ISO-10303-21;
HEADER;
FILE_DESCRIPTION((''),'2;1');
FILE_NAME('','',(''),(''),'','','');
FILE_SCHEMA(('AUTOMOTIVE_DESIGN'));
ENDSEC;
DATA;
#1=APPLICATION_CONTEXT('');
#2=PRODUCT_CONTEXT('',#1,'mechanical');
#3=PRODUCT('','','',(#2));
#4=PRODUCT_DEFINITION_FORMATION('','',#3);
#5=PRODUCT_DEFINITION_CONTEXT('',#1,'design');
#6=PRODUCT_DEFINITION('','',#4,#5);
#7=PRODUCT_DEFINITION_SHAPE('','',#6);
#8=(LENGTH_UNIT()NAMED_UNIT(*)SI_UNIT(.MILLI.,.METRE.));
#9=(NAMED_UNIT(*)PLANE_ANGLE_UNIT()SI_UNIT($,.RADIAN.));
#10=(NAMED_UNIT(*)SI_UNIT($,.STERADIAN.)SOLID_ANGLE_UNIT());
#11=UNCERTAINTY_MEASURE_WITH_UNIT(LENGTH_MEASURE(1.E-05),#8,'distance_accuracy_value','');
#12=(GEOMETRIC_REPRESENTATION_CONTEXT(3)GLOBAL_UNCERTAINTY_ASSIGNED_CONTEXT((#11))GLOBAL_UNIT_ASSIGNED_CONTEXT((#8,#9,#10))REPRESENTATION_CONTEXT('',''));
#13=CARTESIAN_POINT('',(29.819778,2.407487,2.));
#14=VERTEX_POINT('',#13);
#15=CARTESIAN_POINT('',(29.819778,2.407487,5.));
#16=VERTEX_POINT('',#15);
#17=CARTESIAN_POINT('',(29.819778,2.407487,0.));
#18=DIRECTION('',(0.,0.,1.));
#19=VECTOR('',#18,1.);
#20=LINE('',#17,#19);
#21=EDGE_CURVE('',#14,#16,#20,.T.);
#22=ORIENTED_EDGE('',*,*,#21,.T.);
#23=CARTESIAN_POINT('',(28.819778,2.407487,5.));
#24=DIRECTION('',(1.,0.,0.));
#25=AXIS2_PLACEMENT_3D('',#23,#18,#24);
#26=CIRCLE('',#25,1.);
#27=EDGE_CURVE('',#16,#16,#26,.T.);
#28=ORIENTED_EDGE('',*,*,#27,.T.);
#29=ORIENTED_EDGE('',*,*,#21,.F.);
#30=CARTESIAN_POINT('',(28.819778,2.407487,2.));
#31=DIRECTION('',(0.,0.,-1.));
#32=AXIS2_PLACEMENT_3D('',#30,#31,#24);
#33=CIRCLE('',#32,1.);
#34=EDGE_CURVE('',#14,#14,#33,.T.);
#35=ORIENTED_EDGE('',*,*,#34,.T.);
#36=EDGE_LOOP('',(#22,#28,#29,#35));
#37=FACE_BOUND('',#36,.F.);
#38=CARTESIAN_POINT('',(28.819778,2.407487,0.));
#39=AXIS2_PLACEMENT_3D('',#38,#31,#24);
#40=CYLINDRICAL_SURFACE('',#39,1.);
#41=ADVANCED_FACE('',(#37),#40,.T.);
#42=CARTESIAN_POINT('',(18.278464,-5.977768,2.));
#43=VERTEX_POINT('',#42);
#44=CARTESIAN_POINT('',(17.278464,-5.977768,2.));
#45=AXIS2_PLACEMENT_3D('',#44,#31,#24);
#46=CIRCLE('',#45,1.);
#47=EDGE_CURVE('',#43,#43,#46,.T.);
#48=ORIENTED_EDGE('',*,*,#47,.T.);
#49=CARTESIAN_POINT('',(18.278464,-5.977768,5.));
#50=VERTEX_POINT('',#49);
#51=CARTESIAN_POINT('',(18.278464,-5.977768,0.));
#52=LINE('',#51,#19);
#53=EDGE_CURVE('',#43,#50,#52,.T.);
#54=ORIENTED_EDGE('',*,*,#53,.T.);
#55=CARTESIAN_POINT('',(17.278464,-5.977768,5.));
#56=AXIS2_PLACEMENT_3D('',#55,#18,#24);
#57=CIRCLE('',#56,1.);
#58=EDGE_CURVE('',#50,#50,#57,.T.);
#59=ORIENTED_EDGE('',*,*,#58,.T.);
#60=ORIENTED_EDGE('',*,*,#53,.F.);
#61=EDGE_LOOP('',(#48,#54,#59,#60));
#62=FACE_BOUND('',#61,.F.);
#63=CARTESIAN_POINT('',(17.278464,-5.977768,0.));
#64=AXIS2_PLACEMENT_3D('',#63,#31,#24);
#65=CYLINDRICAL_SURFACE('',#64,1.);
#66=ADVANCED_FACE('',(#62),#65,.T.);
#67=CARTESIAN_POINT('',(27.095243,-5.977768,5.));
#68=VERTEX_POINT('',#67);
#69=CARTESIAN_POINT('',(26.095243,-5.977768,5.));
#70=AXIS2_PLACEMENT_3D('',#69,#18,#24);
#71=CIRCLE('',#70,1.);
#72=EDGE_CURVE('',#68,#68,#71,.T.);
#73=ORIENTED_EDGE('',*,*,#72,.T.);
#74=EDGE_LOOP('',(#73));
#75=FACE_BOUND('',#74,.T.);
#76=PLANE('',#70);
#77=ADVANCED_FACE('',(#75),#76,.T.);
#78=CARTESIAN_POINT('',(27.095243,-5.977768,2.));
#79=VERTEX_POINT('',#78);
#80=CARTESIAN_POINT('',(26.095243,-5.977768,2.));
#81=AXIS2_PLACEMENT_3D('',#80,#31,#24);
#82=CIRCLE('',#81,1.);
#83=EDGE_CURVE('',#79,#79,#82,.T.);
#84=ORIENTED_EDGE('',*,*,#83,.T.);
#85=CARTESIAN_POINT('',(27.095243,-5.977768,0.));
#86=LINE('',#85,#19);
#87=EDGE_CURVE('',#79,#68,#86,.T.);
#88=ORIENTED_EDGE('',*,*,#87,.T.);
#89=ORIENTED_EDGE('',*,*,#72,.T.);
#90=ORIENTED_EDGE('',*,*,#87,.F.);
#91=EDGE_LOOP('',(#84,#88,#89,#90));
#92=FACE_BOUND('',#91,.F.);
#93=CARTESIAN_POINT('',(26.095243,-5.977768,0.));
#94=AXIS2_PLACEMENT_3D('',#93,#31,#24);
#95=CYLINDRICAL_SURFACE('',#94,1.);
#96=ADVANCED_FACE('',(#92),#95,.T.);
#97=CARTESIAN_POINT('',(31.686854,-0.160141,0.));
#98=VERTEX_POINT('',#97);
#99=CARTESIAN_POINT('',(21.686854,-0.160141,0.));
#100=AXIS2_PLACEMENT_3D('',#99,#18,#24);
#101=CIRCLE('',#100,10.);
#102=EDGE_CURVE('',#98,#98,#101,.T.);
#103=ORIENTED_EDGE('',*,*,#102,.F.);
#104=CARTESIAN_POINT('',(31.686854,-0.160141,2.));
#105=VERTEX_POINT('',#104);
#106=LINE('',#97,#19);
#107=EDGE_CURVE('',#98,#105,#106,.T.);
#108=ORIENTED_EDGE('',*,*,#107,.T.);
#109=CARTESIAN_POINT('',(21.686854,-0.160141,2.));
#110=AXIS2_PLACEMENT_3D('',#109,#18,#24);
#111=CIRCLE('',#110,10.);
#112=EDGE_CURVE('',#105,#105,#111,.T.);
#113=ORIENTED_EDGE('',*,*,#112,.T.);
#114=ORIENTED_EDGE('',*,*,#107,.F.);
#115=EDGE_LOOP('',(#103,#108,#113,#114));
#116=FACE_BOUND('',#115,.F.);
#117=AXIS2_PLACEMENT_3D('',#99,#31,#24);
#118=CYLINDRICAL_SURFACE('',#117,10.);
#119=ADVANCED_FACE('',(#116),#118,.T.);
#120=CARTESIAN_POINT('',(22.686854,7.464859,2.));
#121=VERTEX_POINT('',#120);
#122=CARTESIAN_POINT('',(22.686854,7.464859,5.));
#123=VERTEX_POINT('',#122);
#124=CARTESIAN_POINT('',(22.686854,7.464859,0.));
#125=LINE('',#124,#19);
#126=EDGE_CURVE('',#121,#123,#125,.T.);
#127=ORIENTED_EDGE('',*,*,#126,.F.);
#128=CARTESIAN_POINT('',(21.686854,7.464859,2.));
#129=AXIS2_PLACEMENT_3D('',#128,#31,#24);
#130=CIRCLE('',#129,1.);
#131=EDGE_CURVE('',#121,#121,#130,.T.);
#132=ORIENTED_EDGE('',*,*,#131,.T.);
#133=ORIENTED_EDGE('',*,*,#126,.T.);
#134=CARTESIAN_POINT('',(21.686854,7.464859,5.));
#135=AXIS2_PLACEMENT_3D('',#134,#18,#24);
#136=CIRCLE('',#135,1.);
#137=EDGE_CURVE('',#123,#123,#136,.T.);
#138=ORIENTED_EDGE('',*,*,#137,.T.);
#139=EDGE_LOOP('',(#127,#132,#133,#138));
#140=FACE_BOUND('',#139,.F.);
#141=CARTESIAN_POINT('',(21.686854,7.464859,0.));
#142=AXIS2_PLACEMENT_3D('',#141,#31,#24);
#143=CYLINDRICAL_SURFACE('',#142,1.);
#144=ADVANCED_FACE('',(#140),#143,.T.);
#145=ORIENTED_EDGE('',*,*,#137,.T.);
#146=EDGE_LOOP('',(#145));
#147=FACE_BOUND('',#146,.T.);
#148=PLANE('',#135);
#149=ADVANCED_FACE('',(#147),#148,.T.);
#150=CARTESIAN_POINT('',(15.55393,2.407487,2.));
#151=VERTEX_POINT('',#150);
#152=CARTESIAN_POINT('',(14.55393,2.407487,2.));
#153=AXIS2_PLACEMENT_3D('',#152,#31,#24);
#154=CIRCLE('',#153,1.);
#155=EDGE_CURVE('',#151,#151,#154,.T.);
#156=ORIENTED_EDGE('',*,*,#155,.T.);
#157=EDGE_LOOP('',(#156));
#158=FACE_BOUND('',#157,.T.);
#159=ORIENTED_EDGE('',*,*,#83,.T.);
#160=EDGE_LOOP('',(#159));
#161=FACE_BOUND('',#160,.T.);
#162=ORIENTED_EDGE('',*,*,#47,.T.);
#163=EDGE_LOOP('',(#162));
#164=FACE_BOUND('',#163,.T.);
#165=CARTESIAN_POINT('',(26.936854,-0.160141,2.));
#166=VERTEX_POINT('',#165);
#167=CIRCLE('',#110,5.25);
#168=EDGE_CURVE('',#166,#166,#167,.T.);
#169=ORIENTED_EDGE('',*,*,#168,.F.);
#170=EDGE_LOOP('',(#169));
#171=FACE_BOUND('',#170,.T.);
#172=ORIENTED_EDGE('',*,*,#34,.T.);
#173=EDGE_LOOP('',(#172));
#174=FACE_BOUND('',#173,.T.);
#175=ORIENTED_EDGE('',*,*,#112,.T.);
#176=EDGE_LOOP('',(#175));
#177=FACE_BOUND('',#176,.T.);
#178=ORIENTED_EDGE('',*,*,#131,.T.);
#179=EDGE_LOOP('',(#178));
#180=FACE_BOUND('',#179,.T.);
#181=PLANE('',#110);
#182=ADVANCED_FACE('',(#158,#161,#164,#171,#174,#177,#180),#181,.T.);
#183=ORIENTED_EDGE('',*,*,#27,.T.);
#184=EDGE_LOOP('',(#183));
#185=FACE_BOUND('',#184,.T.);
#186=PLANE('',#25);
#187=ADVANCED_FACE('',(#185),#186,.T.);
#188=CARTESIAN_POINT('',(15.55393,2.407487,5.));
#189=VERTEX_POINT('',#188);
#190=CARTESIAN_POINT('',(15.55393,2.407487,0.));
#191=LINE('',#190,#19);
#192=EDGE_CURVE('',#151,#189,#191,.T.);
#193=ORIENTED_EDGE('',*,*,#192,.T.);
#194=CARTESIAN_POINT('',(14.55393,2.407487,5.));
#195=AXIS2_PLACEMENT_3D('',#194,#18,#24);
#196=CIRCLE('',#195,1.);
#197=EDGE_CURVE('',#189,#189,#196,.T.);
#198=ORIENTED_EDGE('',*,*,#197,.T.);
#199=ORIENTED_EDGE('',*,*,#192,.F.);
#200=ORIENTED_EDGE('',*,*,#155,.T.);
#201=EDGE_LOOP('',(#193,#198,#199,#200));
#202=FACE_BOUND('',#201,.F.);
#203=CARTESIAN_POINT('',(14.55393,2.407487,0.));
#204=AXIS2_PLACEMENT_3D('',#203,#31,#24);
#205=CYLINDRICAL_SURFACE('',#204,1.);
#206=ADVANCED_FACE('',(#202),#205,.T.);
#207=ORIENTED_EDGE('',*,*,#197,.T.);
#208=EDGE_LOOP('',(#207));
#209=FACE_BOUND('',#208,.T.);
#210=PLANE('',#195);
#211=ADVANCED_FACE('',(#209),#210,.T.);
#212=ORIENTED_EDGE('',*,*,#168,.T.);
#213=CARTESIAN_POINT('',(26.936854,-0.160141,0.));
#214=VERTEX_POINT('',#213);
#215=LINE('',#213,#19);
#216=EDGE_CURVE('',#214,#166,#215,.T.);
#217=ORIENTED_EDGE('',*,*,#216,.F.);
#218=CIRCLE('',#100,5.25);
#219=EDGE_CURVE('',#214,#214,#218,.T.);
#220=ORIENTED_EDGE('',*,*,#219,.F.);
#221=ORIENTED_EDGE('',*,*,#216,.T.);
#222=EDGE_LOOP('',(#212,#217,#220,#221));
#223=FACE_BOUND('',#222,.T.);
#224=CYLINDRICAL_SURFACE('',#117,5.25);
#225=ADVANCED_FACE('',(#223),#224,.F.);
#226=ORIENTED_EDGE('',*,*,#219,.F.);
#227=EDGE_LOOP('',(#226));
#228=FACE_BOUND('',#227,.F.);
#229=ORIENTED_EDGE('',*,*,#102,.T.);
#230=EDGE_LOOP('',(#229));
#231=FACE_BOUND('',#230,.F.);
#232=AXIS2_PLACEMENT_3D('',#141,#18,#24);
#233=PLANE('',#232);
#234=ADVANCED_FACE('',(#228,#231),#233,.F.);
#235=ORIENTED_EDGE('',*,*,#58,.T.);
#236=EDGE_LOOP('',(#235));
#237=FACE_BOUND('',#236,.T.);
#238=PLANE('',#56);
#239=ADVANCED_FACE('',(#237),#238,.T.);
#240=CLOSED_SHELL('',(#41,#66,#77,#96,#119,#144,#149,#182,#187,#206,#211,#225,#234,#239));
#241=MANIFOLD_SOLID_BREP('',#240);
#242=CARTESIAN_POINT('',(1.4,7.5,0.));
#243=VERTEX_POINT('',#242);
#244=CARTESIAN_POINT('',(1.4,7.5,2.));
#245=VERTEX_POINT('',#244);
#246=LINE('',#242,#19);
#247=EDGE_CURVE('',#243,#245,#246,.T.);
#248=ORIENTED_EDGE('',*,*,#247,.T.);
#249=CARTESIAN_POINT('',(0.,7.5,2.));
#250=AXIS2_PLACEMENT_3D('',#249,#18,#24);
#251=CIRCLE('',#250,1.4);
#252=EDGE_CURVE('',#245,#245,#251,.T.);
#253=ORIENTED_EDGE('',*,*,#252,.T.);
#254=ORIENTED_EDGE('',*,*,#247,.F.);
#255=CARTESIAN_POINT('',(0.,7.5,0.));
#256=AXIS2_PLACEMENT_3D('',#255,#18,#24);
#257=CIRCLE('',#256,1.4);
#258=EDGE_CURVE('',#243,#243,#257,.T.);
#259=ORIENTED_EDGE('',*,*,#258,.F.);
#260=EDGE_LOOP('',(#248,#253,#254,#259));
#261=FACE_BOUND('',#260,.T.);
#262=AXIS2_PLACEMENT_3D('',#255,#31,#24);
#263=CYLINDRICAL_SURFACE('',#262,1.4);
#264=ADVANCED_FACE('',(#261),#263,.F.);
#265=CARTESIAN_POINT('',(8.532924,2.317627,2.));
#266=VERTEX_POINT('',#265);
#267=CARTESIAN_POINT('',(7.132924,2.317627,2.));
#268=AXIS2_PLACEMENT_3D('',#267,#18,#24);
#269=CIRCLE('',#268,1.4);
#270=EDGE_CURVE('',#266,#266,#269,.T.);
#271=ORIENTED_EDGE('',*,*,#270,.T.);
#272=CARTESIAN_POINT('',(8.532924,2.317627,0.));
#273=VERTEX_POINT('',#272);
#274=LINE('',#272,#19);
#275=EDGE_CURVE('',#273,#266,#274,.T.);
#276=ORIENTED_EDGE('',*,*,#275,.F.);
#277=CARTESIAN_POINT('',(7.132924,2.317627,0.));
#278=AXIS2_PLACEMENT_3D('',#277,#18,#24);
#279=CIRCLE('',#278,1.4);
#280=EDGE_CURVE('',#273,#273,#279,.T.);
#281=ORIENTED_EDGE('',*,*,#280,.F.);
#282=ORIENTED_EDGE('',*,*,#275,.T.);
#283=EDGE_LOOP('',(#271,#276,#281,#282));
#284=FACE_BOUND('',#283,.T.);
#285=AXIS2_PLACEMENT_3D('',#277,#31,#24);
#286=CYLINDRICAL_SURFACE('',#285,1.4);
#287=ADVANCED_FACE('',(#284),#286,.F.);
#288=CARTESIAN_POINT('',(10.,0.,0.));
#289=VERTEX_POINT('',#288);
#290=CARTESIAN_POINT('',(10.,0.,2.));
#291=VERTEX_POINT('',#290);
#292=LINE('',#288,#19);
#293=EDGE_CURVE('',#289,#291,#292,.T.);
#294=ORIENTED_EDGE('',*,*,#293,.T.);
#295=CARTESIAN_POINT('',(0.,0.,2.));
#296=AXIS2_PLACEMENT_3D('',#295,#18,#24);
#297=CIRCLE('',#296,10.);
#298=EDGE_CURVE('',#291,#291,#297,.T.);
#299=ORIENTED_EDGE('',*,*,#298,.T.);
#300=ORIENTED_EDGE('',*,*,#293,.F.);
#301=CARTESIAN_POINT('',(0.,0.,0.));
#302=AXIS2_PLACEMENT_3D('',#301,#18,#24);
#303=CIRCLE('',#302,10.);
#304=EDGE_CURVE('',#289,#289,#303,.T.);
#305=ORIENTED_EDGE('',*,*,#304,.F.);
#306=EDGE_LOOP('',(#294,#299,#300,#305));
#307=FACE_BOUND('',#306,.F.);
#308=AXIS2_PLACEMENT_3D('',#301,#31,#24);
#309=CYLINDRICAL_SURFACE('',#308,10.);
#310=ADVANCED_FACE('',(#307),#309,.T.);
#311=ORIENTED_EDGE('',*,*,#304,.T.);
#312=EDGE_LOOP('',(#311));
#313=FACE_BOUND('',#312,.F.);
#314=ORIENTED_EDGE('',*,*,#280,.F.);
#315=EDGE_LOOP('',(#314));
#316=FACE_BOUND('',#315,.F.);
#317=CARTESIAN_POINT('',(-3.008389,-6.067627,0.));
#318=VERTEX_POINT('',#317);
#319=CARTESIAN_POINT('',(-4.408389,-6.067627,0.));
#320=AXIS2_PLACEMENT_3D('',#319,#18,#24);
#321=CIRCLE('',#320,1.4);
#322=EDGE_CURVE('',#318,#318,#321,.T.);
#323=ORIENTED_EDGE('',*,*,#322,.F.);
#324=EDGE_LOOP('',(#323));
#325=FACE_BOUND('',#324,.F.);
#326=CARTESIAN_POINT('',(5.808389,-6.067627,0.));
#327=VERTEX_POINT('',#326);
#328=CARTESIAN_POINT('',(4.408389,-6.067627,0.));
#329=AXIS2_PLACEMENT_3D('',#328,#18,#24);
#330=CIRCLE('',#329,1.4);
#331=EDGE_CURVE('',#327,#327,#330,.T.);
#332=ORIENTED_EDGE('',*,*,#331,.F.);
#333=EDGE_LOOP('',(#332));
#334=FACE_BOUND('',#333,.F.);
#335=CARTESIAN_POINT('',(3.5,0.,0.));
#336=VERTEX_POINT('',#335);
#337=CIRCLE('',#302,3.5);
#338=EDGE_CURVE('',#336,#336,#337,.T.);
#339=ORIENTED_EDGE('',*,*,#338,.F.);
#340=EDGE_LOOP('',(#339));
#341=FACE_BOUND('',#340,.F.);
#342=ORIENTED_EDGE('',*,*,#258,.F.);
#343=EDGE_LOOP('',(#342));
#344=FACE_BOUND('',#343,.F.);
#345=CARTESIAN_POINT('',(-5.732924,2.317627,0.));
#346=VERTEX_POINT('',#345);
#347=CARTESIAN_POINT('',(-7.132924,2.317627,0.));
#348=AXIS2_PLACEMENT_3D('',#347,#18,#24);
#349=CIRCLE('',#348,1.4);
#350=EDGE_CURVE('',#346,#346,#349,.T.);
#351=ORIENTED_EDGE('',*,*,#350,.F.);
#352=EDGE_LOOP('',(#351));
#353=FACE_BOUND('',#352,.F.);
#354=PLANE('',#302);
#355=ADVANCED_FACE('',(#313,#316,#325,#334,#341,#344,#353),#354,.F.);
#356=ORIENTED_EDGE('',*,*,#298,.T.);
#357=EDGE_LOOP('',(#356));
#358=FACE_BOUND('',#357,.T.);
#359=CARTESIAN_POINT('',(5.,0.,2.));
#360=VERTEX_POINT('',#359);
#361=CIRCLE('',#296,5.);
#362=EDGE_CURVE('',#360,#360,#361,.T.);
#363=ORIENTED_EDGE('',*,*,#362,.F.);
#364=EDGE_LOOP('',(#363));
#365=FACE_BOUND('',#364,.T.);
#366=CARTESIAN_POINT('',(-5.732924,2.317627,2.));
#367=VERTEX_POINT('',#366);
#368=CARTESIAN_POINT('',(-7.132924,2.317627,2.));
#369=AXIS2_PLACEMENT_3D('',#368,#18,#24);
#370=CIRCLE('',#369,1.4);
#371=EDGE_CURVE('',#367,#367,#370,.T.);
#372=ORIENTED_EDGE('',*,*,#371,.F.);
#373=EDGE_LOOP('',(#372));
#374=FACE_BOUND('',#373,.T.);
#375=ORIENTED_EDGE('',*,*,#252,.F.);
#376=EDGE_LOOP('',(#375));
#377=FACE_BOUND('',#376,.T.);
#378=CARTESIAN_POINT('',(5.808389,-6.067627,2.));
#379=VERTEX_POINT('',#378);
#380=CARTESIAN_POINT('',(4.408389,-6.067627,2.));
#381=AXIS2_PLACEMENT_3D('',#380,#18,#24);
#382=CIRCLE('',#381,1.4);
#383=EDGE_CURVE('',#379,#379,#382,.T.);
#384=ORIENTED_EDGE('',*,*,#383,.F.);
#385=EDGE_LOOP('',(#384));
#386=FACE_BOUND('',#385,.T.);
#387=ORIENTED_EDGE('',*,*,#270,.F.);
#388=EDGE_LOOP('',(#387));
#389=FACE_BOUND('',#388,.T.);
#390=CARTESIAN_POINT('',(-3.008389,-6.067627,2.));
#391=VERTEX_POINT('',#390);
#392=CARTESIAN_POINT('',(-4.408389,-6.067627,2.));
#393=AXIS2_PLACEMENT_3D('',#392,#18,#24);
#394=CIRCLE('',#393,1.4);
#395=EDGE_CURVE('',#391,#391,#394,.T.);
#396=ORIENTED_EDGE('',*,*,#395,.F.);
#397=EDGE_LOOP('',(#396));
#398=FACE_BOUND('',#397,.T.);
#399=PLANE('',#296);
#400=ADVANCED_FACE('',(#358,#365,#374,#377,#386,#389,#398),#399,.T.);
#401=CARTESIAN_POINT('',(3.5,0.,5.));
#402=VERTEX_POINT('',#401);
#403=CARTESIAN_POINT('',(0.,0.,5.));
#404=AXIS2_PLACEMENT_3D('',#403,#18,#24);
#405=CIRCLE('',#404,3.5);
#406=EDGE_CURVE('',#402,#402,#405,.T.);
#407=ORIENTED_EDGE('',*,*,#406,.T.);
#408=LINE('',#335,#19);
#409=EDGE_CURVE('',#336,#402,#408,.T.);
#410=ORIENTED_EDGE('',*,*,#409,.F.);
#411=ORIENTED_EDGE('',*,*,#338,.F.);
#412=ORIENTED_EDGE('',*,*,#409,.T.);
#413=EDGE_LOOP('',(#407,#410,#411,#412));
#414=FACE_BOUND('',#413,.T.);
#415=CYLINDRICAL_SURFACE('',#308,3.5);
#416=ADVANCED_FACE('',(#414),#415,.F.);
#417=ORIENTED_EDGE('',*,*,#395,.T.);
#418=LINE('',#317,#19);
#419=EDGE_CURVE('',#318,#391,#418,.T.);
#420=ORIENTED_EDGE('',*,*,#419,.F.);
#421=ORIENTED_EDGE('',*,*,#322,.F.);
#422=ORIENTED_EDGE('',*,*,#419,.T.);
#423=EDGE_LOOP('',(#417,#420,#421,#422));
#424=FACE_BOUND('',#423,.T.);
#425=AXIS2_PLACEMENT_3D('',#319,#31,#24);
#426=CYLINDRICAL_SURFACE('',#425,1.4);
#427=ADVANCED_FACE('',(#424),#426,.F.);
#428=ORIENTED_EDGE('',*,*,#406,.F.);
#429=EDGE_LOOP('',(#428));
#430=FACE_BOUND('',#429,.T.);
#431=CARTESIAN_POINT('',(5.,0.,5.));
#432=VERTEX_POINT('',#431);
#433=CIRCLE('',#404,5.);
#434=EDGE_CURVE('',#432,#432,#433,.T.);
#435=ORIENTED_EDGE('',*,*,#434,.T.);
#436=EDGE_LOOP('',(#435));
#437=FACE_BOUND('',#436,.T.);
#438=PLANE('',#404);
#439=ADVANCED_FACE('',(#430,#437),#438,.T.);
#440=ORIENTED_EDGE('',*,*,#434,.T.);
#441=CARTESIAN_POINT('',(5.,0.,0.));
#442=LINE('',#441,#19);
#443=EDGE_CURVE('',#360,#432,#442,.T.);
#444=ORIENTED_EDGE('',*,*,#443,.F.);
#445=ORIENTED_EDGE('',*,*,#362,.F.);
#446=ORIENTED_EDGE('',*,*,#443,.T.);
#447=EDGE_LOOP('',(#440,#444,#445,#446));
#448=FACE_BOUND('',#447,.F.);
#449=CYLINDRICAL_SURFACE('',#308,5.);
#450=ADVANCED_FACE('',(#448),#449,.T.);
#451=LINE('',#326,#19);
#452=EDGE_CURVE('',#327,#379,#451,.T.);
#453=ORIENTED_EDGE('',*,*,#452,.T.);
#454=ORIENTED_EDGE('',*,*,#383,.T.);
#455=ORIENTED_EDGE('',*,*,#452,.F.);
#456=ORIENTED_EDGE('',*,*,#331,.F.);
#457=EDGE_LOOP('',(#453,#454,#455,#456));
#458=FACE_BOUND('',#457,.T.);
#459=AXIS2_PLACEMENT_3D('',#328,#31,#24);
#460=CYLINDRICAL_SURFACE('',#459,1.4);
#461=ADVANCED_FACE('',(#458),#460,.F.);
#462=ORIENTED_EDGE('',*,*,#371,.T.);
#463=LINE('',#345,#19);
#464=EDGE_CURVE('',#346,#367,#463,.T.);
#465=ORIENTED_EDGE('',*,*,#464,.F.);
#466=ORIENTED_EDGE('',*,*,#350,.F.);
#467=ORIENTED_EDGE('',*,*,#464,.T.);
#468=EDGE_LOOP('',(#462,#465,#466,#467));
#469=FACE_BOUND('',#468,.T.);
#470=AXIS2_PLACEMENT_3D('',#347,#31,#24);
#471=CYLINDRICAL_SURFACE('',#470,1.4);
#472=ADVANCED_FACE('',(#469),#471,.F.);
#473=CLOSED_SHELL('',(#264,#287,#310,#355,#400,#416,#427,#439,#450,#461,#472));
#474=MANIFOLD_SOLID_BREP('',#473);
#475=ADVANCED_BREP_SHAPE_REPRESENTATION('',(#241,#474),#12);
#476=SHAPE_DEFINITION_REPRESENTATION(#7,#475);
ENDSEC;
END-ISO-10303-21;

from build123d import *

# Parameters (mm, degrees)
F0_R     = 10
F0_R_2   = 1.4
F0_R_3   = 5
F1_DEPTH = 2
F3_R     = 5
F3_R_2   = 3.5
F4_DEPTH = 5
F2_R     = 10
F2_R_2   = 1
F2_R_3   = 5.25
F5_DEPTH = 2
F6_DEPTH = 5


with BuildPart() as f1:
    # F0 (on Top) → F1 (new body)
    with BuildSketch(Plane.XY):
        Circle(F0_R)
        with Locations((-4.408389, -6.067627)):
            Circle(F0_R_2, mode=Mode.SUBTRACT)
        with Locations((4.408389, -6.067627)):
            Circle(F0_R_2, mode=Mode.SUBTRACT)
        with Locations((-7.132924, 2.317627)):
            Circle(F0_R_2, mode=Mode.SUBTRACT)
        Circle(F0_R_3, mode=Mode.SUBTRACT)
        with Locations((7.132924, 2.317627)):
            Circle(F0_R_2, mode=Mode.SUBTRACT)
        with Locations((0, 7.5)):
            Circle(F0_R_2, mode=Mode.SUBTRACT)
    extrude(amount=F1_DEPTH)

    # F3 (on Top) → F4 (join)
    with BuildSketch(Plane.XY):
        Circle(F3_R)
        Circle(F3_R_2, mode=Mode.SUBTRACT)
    extrude(amount=F4_DEPTH)


with BuildPart() as f5:
    # F2 (on Top) → F5 (new body)
    with BuildSketch(Plane.XY):
        with Locations((21.686854, -0.160141)):
            Circle(F2_R)
        with Locations((17.278464, -5.977768)):
            Circle(F2_R_2, mode=Mode.SUBTRACT)
        with Locations((26.095243, -5.977768)):
            Circle(F2_R_2, mode=Mode.SUBTRACT)
        with Locations((14.55393, 2.407487)):
            Circle(F2_R_2, mode=Mode.SUBTRACT)
        with Locations((21.686854, -0.160141)):
            Circle(F2_R_3, mode=Mode.SUBTRACT)
        with Locations((28.819778, 2.407487)):
            Circle(F2_R_2, mode=Mode.SUBTRACT)
        with Locations((21.686854, 7.464859)):
            Circle(F2_R_2, mode=Mode.SUBTRACT)
        with Locations((14.55393, 2.407487)):
            Circle(F2_R_2)
        with Locations((21.686854, 7.464859)):
            Circle(F2_R_2)
        with Locations((28.819778, 2.407487)):
            Circle(F2_R_2)
        with Locations((26.095243, -5.977768)):
            Circle(F2_R_2)
        with Locations((17.278464, -5.977768)):
            Circle(F2_R_2)
    extrude(amount=F5_DEPTH)

    # F2 (on Top) → F6 (join)
    with BuildSketch(Plane.XY):
        with Locations((21.686854, 7.464859)):
            Circle(F2_R_2)
        with Locations((28.819778, 2.407487)):
            Circle(F2_R_2)
        with Locations((26.095243, -5.977768)):
            Circle(F2_R_2)
        with Locations((17.278464, -5.977768)):
            Circle(F2_R_2)
        with Locations((14.55393, 2.407487)):
            Circle(F2_R_2)
    extrude(amount=F6_DEPTH)


solid = Compound([f1.part, f5.part])
